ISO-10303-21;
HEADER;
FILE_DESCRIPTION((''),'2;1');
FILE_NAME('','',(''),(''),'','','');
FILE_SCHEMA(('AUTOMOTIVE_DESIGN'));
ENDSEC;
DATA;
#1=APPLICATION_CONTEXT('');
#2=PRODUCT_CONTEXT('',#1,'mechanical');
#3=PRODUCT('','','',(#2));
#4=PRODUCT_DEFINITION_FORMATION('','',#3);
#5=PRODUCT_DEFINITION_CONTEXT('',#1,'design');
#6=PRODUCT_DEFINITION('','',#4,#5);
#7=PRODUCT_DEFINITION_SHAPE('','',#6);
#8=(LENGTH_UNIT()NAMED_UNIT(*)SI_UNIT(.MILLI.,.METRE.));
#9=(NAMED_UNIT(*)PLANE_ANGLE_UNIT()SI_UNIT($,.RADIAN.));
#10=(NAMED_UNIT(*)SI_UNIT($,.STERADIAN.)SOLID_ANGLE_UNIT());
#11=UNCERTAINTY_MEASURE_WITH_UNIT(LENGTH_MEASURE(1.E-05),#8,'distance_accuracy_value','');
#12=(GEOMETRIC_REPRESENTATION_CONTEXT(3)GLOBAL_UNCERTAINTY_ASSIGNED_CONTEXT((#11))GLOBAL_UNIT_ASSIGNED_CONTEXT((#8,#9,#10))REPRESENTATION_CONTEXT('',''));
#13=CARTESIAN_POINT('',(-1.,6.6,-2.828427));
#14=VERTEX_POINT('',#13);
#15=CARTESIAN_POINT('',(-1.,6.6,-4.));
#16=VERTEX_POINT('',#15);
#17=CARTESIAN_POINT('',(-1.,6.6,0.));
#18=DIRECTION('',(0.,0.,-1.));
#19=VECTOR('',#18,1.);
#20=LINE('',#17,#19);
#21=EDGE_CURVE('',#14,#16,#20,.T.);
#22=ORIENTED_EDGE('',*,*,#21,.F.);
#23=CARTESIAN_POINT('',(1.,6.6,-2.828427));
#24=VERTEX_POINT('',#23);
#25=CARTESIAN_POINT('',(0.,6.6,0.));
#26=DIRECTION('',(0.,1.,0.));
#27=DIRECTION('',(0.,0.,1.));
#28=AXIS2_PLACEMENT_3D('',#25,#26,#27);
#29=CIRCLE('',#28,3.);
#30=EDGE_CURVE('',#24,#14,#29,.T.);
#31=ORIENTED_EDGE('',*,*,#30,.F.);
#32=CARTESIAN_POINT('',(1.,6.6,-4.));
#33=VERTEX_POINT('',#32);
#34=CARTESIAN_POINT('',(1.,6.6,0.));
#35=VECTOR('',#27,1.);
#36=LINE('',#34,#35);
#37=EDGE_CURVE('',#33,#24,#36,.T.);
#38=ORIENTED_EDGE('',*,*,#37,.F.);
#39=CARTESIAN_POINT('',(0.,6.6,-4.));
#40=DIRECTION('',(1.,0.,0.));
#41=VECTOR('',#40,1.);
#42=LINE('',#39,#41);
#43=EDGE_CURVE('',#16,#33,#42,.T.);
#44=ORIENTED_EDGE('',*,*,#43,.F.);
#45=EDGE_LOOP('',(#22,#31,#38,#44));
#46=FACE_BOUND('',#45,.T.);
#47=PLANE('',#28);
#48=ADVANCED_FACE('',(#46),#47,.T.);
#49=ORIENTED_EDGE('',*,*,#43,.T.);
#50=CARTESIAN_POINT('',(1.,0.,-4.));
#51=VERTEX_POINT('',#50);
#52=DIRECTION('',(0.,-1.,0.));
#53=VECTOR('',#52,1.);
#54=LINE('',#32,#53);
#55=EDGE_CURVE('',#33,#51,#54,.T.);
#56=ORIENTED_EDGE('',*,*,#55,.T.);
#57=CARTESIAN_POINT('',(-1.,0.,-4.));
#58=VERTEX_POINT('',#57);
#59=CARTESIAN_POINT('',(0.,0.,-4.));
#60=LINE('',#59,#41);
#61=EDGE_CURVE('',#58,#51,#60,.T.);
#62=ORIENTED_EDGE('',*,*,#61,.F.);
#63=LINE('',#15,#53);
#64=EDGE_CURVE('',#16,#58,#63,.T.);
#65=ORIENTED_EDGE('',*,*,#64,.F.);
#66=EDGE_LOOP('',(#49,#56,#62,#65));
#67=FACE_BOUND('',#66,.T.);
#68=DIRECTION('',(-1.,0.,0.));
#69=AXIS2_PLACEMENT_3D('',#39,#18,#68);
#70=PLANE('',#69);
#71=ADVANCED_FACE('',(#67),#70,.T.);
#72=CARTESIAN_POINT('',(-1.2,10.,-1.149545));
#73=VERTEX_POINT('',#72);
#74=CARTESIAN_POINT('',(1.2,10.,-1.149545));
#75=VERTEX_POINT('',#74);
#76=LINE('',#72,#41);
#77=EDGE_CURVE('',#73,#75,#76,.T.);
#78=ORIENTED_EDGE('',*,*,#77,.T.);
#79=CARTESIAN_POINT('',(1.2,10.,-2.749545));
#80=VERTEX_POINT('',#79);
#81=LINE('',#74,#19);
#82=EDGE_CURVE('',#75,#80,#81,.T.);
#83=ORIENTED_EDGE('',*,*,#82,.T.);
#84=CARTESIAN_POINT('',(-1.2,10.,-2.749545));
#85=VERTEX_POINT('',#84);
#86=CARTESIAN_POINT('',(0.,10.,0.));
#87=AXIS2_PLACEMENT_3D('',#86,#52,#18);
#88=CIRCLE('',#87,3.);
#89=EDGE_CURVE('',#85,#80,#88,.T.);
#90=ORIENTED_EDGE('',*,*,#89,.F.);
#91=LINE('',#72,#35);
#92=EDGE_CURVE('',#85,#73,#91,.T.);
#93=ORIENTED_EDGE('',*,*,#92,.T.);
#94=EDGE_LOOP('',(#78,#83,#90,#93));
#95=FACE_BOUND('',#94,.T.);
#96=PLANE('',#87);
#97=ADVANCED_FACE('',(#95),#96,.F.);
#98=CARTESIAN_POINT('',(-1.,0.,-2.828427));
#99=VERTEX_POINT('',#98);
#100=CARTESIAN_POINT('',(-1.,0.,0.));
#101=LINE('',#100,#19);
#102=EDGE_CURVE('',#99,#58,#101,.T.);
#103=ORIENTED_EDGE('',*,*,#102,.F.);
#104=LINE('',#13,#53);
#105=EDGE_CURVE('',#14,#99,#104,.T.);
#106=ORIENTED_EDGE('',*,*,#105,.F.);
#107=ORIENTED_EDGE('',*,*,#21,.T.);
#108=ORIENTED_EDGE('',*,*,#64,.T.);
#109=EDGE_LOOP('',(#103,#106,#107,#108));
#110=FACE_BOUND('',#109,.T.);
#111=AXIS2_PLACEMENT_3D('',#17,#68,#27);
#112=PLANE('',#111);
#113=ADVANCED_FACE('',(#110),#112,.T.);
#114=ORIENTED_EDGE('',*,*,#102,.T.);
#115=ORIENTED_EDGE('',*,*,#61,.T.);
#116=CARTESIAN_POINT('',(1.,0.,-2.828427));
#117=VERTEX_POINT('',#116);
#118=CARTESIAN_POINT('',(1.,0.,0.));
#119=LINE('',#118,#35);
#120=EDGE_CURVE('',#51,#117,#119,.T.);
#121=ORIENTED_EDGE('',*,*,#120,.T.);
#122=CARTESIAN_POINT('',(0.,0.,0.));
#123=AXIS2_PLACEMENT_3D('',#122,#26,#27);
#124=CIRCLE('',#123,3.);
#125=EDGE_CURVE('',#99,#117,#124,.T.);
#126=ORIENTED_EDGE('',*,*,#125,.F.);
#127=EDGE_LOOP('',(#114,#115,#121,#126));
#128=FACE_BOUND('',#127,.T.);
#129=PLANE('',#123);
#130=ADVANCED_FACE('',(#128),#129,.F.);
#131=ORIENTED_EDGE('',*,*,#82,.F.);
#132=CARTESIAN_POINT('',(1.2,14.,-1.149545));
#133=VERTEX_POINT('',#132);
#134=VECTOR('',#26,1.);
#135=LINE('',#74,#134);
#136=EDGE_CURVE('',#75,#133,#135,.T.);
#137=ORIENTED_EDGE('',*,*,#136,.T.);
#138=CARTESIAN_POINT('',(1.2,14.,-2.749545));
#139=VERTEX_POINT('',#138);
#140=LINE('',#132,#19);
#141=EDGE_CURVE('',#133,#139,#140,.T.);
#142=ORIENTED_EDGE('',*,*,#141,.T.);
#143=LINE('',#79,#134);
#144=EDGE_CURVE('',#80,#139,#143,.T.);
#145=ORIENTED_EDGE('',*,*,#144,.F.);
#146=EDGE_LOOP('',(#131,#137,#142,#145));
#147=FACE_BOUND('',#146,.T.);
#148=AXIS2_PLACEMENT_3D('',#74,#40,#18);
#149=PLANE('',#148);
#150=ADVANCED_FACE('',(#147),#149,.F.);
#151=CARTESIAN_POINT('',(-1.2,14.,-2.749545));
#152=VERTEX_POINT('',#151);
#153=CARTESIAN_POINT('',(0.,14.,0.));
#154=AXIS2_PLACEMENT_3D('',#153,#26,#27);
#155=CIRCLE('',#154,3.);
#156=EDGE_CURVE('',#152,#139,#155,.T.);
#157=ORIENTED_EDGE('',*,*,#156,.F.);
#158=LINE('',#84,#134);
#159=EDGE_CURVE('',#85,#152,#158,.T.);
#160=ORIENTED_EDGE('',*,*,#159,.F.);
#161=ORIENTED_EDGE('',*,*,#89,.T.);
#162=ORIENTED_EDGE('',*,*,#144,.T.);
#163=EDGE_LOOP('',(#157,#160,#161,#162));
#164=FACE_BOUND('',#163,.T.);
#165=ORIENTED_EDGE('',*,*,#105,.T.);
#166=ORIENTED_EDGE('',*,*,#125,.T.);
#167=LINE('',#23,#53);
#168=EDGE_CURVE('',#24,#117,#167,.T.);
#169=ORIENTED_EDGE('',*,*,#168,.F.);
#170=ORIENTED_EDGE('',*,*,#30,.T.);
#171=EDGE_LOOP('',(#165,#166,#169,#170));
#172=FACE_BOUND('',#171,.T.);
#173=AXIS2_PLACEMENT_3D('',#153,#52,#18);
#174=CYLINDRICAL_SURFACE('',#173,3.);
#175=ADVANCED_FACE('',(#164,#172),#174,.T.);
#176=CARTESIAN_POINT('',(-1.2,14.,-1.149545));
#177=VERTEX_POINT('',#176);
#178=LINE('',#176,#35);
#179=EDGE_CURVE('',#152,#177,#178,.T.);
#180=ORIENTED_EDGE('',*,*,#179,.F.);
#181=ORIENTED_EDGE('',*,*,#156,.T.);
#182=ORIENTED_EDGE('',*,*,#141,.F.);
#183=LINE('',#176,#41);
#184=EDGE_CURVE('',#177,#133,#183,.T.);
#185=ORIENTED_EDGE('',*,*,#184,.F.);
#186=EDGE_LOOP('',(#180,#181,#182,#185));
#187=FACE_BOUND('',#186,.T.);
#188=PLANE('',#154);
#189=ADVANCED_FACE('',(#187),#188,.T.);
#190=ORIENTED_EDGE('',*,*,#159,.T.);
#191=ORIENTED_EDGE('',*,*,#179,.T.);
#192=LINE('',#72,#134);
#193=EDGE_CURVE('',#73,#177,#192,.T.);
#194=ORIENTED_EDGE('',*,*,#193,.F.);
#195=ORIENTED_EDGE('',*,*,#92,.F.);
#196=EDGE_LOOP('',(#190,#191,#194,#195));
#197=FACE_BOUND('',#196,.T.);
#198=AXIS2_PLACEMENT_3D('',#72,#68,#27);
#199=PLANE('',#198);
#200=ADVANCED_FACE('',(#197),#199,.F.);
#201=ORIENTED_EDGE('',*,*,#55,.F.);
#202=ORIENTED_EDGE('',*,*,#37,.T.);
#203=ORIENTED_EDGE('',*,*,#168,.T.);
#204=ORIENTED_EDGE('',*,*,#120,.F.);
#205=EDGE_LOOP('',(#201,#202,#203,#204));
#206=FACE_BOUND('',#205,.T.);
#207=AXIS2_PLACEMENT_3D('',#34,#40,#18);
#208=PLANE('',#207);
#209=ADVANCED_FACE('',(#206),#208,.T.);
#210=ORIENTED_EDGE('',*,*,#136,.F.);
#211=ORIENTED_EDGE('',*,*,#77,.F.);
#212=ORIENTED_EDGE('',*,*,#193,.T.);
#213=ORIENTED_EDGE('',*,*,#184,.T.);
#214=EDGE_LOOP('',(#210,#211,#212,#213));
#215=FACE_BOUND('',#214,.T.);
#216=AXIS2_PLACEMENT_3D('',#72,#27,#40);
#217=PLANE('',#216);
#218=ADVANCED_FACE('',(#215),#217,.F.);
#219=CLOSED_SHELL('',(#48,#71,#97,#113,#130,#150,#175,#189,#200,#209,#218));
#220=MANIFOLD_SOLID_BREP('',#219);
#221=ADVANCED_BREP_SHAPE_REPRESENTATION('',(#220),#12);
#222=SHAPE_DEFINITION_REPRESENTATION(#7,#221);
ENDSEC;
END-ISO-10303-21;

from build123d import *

# Parameters (mm, degrees)
EXTRUDE_2_DEPTH     = 14
EXTRUDE_3_DEPTH     = 6.6
CUT_EXTRUDE_1_DEPTH = 4


with BuildPart() as part:
    # 스케치1 → 보스-돌출2 (new body)
    with BuildSketch(Plane(origin=(0, 0, 0), x_dir=(1, 0, 0), z_dir=(0, 1, 0))):
        with BuildLine():
            ThreePointArc((1, 2.828427125), (0, 3), (-1, 2.828427125))
            ThreePointArc((-1, 2.828427125), (-1.732050808, -2.449489743), (3, 0))
            ThreePointArc((3, 0), (2.449489743, 1.732050808), (1, 2.828427125))
        make_face()
    extrude(amount=EXTRUDE_2_DEPTH)

    # 스케치1<3> → 보스-돌출3 (add)
    with BuildSketch(Plane(origin=(0, 0, 0), x_dir=(1, 0, 0), z_dir=(0, 1, 0))):
        with BuildLine():
            Line((-1, 4), (-1, 2.828427125))
            ThreePointArc((-1, 2.828427125), (0, 3), (1, 2.828427125))
            Line((1, 2.828427125), (1, 4))
            Line((1, 4), (-1, 4))
        make_face()
    extrude(amount=EXTRUDE_3_DEPTH)

    # 스케치2 → 컷-돌출1 (cut)
    with BuildSketch(Plane(origin=(0, 14, 0), x_dir=(1, 0, 0), z_dir=(0, 1, 0))):
        Polygon((-1.2, 1.149545417), (1.2, 1.149545417), (1.2, 2.749545417), (0, 4.828006386), (-1.2, 2.749545417), align=None)
    extrude(amount=-CUT_EXTRUDE_1_DEPTH, mode=Mode.SUBTRACT)


solid = part.part
